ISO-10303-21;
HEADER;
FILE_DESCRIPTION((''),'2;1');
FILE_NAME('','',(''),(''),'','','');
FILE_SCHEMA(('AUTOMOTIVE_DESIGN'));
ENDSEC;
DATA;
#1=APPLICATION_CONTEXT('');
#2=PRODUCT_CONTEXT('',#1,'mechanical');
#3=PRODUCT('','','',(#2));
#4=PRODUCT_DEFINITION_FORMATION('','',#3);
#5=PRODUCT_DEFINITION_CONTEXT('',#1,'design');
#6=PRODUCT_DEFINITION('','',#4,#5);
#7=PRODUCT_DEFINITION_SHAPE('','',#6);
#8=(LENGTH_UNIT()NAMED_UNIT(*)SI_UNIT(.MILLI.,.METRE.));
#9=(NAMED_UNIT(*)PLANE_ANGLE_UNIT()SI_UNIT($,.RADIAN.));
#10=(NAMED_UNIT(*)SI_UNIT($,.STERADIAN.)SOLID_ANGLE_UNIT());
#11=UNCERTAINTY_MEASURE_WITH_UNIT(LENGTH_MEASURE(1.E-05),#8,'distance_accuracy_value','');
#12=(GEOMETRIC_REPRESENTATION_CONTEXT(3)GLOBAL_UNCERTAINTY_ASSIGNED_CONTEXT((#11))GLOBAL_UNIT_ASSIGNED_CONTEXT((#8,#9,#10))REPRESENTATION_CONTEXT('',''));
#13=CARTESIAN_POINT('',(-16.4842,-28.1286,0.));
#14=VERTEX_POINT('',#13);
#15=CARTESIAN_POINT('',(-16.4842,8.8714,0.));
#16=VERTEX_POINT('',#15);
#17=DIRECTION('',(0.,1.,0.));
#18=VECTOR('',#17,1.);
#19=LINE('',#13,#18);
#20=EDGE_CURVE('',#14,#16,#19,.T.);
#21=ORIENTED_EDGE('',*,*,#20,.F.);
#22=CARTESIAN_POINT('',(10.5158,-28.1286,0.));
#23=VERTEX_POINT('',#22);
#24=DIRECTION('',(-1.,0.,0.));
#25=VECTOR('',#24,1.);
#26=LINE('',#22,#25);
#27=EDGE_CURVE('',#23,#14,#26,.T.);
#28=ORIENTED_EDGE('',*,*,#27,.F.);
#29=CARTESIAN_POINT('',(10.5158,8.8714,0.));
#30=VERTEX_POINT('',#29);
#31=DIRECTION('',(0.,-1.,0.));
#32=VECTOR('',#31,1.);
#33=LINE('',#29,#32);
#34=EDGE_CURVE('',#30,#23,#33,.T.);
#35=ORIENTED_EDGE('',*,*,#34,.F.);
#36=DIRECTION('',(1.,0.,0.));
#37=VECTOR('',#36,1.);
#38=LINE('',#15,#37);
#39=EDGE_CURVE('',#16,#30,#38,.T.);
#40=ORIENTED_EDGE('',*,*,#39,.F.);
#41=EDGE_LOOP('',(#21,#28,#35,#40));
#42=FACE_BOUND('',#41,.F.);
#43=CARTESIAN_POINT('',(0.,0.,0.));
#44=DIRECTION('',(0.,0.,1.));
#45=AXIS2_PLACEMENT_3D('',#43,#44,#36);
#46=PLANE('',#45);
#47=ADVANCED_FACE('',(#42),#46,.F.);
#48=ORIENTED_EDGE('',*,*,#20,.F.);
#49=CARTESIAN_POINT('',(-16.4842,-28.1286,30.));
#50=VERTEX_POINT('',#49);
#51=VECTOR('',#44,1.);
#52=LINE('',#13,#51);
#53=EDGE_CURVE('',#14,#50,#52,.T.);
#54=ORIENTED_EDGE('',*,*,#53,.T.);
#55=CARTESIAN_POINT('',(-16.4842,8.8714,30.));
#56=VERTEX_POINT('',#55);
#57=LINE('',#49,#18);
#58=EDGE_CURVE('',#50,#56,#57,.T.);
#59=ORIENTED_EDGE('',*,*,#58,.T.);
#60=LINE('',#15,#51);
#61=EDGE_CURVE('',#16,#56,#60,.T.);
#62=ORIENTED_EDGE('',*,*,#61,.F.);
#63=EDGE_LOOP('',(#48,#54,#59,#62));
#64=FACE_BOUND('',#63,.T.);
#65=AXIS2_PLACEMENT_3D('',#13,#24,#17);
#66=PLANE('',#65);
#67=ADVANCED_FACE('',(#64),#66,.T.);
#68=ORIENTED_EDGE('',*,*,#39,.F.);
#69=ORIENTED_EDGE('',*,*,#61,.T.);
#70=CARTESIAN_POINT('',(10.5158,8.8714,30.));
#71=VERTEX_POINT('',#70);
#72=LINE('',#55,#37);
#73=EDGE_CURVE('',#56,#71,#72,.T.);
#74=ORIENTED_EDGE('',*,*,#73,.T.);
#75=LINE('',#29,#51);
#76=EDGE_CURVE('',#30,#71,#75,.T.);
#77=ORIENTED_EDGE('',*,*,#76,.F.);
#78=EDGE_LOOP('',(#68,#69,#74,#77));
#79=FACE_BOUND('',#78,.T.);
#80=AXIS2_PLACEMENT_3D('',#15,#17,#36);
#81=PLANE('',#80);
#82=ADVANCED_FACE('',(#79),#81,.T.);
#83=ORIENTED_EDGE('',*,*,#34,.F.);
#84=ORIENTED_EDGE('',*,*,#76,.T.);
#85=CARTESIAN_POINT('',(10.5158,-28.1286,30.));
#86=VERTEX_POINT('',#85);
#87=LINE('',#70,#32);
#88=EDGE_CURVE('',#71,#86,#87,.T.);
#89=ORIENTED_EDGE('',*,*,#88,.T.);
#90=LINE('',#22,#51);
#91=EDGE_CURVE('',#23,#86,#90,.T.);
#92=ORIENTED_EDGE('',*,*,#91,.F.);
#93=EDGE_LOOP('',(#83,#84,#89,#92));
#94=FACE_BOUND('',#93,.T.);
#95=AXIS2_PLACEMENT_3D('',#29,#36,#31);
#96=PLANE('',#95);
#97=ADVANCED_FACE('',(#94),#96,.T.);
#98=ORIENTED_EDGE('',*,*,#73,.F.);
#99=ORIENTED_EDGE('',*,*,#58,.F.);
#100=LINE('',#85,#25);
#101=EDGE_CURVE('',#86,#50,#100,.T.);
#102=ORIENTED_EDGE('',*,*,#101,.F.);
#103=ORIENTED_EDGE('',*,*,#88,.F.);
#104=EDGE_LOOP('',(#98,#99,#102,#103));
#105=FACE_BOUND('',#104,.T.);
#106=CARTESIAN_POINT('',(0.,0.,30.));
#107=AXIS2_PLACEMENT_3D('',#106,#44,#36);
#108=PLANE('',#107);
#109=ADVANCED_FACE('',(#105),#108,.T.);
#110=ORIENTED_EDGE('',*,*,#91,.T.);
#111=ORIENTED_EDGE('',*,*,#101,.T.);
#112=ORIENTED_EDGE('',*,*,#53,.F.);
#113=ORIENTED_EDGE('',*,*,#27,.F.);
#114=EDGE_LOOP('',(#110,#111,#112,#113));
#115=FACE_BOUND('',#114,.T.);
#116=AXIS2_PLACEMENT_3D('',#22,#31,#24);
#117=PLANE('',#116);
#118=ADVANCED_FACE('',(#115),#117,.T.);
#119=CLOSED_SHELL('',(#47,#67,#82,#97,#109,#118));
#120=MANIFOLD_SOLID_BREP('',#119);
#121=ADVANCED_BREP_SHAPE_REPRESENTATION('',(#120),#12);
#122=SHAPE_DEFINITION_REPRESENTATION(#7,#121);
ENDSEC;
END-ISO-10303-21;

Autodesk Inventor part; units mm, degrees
ref_plane "YZ Plane" through (0, 0, 0) normal (1, 0, 0) x (0, 1, 0)
ref_plane "XZ Plane" through (0, 0, 0) normal (0, 1, 0) x (-1, 0, 0)
ref_plane "XY Plane" through (0, 0, 0) normal (0, 0, 1) x (1, 0, 0)
sketch "Esquisse1" plane through (0, 0, 0) normal (0, 0, 1) x (1, 0, 0)
  line L0 (-16.4842, 8.8714) -> (10.5158, 8.8714)
  line L1 (10.5158, 8.8714) -> (10.5158, -28.1286)
  line L2 (10.5158, -28.1286) -> (-16.4842, -28.1286)
  line L3 (-16.4842, -28.1286) -> (-16.4842, 8.8714)
  point P0 (0, 0)
  dimension "d0" = 27
  dimension "d1" = 37
extrude "Extrusion1" add sketch "Esquisse1" along normal blind 30
properties part number "pièce_x2"
